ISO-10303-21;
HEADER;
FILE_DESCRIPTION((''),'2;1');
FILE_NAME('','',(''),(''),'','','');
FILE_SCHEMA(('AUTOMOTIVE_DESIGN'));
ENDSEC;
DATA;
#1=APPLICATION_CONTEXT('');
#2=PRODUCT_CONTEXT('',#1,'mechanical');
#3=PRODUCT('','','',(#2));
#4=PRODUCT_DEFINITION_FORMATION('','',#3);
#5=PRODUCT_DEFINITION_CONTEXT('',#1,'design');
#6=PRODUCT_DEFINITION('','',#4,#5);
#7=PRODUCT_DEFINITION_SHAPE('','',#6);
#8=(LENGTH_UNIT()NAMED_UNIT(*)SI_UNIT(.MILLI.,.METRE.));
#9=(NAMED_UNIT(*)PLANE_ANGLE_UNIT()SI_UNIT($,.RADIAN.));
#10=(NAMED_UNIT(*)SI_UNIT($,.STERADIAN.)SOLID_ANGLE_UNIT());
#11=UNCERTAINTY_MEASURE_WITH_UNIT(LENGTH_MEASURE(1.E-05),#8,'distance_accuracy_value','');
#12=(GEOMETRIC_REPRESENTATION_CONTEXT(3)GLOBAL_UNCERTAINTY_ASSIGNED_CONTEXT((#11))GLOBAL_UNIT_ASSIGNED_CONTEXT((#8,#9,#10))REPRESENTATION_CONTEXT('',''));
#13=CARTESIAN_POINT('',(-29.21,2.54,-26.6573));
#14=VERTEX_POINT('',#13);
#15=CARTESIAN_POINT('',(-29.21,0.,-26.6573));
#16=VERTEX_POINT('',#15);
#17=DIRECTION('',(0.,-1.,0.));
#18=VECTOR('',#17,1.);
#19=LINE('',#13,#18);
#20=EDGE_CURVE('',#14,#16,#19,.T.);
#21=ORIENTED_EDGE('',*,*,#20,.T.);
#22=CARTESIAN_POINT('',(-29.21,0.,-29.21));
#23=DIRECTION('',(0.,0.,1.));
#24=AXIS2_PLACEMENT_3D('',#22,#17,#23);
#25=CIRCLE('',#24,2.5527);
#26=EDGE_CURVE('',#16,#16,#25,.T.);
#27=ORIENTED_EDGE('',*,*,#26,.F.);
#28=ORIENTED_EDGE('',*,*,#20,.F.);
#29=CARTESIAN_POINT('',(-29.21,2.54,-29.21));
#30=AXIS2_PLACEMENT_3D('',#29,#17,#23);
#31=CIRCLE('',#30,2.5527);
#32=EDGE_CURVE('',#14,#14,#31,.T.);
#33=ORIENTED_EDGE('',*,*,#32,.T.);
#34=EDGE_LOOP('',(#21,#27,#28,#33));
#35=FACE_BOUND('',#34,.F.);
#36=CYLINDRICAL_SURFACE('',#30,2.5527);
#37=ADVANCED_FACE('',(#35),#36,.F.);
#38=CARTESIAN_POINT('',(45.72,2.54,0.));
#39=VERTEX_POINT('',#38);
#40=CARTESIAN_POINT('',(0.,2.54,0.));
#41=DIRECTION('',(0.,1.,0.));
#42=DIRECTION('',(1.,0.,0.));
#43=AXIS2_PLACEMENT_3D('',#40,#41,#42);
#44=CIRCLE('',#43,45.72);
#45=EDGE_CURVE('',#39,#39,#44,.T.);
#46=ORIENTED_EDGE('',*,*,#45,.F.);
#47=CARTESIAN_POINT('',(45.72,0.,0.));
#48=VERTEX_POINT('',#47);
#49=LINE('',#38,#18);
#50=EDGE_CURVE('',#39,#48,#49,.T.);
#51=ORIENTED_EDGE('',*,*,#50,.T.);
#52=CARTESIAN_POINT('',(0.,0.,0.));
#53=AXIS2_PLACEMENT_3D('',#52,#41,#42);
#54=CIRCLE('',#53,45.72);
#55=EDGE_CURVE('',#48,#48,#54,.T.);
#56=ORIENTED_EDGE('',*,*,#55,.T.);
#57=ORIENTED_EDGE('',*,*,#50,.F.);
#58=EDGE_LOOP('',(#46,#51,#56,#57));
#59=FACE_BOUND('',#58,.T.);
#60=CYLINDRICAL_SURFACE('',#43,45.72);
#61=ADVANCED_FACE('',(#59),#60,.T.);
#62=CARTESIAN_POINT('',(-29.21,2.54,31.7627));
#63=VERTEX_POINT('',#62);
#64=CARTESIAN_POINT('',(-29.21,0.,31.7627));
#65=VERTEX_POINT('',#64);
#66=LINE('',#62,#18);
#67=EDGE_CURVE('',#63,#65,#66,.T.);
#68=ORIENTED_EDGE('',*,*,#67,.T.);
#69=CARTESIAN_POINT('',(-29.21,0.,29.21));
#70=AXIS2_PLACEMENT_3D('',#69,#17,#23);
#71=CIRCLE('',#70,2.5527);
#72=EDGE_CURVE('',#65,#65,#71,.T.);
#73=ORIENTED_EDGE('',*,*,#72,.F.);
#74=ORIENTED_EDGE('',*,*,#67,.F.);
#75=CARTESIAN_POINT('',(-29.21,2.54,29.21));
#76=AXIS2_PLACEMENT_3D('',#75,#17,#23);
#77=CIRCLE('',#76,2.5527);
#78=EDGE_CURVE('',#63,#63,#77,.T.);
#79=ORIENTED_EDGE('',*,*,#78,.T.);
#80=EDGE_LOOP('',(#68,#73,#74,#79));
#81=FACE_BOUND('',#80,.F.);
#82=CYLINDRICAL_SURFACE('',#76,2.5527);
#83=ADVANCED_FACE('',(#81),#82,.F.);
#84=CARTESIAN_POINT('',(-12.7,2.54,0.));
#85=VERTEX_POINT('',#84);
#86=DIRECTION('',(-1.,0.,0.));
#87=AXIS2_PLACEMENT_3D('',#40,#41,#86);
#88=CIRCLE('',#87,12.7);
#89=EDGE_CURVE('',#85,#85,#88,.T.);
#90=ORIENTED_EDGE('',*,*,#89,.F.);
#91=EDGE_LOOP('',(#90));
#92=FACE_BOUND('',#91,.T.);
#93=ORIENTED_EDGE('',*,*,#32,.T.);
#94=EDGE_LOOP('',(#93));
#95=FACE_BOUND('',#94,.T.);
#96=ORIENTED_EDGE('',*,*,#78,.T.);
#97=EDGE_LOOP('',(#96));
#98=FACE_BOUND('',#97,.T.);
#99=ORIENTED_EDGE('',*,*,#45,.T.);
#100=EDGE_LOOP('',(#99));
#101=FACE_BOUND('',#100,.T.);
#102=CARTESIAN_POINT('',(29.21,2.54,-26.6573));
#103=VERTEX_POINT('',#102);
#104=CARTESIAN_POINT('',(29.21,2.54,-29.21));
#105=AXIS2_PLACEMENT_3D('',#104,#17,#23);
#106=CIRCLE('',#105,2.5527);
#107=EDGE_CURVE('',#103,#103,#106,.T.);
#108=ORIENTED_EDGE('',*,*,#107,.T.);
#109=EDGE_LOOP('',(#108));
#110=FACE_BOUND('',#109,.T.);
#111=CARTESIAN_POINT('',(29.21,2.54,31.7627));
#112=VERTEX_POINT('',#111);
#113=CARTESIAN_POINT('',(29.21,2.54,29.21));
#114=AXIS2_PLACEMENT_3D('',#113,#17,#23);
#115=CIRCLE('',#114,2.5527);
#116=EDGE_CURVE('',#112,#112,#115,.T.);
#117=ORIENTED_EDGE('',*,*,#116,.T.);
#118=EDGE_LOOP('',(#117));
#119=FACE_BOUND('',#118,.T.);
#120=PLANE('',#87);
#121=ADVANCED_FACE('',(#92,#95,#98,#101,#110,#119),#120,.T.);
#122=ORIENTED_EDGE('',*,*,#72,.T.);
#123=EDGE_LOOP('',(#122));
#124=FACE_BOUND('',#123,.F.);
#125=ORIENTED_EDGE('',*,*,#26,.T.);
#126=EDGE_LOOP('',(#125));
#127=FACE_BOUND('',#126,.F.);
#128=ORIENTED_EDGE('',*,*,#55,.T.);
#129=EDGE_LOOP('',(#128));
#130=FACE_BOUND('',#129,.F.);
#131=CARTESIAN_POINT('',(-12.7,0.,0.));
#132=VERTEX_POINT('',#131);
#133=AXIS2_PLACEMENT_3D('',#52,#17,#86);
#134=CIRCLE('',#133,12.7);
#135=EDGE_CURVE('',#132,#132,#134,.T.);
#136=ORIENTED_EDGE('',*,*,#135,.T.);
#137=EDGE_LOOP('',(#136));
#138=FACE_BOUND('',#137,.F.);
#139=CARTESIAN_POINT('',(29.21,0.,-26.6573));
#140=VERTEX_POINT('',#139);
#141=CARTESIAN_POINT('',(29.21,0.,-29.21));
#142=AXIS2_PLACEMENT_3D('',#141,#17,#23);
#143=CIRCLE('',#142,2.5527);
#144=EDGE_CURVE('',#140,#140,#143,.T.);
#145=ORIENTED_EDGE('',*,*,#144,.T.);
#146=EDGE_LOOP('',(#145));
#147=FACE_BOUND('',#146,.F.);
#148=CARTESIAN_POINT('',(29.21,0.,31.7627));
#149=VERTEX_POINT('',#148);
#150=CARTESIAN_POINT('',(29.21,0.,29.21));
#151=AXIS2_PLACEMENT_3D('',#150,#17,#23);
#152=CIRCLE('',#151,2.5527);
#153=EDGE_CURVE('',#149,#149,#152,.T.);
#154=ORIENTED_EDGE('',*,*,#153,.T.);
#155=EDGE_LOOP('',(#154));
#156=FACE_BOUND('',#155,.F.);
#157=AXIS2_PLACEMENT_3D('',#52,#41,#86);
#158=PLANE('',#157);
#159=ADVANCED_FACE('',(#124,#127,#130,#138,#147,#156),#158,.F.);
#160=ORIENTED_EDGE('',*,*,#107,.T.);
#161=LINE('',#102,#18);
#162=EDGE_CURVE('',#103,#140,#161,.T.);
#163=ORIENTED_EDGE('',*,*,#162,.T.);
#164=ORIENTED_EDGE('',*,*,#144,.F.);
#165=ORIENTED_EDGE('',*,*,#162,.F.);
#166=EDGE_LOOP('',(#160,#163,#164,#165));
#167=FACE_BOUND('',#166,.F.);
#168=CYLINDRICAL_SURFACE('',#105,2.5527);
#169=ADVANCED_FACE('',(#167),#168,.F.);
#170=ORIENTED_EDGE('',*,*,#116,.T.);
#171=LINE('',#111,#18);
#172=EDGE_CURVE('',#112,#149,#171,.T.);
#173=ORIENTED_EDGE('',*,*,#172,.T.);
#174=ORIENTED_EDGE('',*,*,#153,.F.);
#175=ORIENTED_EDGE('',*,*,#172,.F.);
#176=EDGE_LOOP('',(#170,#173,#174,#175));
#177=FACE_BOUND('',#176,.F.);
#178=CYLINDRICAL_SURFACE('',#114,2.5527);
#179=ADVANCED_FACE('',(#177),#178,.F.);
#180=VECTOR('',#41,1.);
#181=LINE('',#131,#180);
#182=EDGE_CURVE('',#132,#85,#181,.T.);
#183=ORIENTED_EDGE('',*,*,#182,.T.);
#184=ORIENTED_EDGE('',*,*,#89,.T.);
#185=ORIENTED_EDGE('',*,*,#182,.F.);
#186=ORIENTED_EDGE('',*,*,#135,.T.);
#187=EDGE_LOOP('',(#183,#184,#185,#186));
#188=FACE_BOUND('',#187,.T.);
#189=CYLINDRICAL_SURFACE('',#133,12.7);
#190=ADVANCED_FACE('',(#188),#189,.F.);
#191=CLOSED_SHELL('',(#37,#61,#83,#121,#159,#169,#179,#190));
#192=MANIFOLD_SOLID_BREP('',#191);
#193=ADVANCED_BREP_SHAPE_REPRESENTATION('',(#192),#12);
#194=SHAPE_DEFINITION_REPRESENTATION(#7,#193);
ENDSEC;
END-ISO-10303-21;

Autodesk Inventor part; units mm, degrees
ref_plane "YZ Plane" through (0, 0, 0) normal (1, 0, 0) x (0, 1, 0)
ref_plane "XZ Plane" through (0, 0, 0) normal (0, 1, 0) x (-1, 0, 0)
ref_plane "XY Plane" through (0, 0, 0) normal (0, 0, 1) x (1, 0, 0)
sketch "Sketch1" plane through (0, 0, 0) normal (0, 1, 0) x (-1, 0, 0)
  circle A0 centre (0, 0) radius 12.7
  line L0 (34.29, 34.29) -> (-34.29, 34.29)
  line L1 (-34.29, 34.29) -> (-34.29, -34.29)
  line L2 (-34.29, -34.29) -> (34.29, -34.29)
  line L3 (34.29, -34.29) -> (34.29, 34.29)
  line L4 (34.29, 34.29) -> (-34.29, -34.29) construction
  line L5 (-34.29, 34.29) -> (34.29, -34.29) construction
  circle A1 centre (0, 0) radius 48.4934
  dimension "d0" = 25.4
  dimension "d4" = 68.58
  dimension "d5" = 68.58
extrude "Extrusion1" add sketch "Sketch1" along normal blind 2.54
sketch "Sketch2" plane through (0, 2.54, 0) normal (0, 1, 0) x (1, 0, 0)
  line L0 (-29.21, -29.21) -> (29.21, -29.21) construction
  line L1 (29.21, -29.21) -> (29.21, 29.21) construction
  line L2 (29.21, 29.21) -> (-29.21, 29.21) construction
  line L3 (-29.21, 29.21) -> (-29.21, -29.21) construction
  line L4 (-29.21, -29.21) -> (29.21, 29.21) construction
  line L5 (29.21, -29.21) -> (-29.21, 29.21) construction
  line L6 (34.29, 34.29) -> (-34.29, 34.29) projected
  line L7 (34.29, -34.29) -> (34.29, 34.29) projected
  circle A0 centre (0, 0) radius 41.3092 construction
  circle A1 centre (0, 0) radius 48.4934 construction
  dimension "d24" = 7.1842
hole "Hole1" at (-29.21, 2.54, -29.21) at (29.21, 2.54, -29.21) at (29.21, 2.54, 29.21) at (-29.21, 2.54, 29.21) direction (0, -1, 0) diameter 5.1054 end through all clearance for "Flat Head Machine Screw (82)" size "#10" standard "Ansi Unified Screw Threads"
sketch "Sketch3" plane through (0, 2.54, 0) normal (0, 1, 0) x (1, 0, 0)
  circle A0 centre (0, 0) radius 38.1
  circle A1 centre (0, 0) radius 12.7 projected
  circle A2 centre (0, 0) radius 25.4
  circle A3 centre (0, 0) radius 47.7012
  dimension "d17" = 76.2
  dimension "d18" = 50.8
  dimension "d19" = 95.4024
sketch "Sketch4" plane through (0, 2.54, 0) normal (0, 1, 0) x (1, 0, 0)
  circle A0 centre (0, 0) radius 12.7 projected
  circle A1 centre (0, 0) radius 45.72
  dimension "d20" = 91.44
extrude "Extrusion2" cut sketch "Sketch4" against normal blind 25.4 keep common part
properties part number "weldpart" material "Stainless Steel"
